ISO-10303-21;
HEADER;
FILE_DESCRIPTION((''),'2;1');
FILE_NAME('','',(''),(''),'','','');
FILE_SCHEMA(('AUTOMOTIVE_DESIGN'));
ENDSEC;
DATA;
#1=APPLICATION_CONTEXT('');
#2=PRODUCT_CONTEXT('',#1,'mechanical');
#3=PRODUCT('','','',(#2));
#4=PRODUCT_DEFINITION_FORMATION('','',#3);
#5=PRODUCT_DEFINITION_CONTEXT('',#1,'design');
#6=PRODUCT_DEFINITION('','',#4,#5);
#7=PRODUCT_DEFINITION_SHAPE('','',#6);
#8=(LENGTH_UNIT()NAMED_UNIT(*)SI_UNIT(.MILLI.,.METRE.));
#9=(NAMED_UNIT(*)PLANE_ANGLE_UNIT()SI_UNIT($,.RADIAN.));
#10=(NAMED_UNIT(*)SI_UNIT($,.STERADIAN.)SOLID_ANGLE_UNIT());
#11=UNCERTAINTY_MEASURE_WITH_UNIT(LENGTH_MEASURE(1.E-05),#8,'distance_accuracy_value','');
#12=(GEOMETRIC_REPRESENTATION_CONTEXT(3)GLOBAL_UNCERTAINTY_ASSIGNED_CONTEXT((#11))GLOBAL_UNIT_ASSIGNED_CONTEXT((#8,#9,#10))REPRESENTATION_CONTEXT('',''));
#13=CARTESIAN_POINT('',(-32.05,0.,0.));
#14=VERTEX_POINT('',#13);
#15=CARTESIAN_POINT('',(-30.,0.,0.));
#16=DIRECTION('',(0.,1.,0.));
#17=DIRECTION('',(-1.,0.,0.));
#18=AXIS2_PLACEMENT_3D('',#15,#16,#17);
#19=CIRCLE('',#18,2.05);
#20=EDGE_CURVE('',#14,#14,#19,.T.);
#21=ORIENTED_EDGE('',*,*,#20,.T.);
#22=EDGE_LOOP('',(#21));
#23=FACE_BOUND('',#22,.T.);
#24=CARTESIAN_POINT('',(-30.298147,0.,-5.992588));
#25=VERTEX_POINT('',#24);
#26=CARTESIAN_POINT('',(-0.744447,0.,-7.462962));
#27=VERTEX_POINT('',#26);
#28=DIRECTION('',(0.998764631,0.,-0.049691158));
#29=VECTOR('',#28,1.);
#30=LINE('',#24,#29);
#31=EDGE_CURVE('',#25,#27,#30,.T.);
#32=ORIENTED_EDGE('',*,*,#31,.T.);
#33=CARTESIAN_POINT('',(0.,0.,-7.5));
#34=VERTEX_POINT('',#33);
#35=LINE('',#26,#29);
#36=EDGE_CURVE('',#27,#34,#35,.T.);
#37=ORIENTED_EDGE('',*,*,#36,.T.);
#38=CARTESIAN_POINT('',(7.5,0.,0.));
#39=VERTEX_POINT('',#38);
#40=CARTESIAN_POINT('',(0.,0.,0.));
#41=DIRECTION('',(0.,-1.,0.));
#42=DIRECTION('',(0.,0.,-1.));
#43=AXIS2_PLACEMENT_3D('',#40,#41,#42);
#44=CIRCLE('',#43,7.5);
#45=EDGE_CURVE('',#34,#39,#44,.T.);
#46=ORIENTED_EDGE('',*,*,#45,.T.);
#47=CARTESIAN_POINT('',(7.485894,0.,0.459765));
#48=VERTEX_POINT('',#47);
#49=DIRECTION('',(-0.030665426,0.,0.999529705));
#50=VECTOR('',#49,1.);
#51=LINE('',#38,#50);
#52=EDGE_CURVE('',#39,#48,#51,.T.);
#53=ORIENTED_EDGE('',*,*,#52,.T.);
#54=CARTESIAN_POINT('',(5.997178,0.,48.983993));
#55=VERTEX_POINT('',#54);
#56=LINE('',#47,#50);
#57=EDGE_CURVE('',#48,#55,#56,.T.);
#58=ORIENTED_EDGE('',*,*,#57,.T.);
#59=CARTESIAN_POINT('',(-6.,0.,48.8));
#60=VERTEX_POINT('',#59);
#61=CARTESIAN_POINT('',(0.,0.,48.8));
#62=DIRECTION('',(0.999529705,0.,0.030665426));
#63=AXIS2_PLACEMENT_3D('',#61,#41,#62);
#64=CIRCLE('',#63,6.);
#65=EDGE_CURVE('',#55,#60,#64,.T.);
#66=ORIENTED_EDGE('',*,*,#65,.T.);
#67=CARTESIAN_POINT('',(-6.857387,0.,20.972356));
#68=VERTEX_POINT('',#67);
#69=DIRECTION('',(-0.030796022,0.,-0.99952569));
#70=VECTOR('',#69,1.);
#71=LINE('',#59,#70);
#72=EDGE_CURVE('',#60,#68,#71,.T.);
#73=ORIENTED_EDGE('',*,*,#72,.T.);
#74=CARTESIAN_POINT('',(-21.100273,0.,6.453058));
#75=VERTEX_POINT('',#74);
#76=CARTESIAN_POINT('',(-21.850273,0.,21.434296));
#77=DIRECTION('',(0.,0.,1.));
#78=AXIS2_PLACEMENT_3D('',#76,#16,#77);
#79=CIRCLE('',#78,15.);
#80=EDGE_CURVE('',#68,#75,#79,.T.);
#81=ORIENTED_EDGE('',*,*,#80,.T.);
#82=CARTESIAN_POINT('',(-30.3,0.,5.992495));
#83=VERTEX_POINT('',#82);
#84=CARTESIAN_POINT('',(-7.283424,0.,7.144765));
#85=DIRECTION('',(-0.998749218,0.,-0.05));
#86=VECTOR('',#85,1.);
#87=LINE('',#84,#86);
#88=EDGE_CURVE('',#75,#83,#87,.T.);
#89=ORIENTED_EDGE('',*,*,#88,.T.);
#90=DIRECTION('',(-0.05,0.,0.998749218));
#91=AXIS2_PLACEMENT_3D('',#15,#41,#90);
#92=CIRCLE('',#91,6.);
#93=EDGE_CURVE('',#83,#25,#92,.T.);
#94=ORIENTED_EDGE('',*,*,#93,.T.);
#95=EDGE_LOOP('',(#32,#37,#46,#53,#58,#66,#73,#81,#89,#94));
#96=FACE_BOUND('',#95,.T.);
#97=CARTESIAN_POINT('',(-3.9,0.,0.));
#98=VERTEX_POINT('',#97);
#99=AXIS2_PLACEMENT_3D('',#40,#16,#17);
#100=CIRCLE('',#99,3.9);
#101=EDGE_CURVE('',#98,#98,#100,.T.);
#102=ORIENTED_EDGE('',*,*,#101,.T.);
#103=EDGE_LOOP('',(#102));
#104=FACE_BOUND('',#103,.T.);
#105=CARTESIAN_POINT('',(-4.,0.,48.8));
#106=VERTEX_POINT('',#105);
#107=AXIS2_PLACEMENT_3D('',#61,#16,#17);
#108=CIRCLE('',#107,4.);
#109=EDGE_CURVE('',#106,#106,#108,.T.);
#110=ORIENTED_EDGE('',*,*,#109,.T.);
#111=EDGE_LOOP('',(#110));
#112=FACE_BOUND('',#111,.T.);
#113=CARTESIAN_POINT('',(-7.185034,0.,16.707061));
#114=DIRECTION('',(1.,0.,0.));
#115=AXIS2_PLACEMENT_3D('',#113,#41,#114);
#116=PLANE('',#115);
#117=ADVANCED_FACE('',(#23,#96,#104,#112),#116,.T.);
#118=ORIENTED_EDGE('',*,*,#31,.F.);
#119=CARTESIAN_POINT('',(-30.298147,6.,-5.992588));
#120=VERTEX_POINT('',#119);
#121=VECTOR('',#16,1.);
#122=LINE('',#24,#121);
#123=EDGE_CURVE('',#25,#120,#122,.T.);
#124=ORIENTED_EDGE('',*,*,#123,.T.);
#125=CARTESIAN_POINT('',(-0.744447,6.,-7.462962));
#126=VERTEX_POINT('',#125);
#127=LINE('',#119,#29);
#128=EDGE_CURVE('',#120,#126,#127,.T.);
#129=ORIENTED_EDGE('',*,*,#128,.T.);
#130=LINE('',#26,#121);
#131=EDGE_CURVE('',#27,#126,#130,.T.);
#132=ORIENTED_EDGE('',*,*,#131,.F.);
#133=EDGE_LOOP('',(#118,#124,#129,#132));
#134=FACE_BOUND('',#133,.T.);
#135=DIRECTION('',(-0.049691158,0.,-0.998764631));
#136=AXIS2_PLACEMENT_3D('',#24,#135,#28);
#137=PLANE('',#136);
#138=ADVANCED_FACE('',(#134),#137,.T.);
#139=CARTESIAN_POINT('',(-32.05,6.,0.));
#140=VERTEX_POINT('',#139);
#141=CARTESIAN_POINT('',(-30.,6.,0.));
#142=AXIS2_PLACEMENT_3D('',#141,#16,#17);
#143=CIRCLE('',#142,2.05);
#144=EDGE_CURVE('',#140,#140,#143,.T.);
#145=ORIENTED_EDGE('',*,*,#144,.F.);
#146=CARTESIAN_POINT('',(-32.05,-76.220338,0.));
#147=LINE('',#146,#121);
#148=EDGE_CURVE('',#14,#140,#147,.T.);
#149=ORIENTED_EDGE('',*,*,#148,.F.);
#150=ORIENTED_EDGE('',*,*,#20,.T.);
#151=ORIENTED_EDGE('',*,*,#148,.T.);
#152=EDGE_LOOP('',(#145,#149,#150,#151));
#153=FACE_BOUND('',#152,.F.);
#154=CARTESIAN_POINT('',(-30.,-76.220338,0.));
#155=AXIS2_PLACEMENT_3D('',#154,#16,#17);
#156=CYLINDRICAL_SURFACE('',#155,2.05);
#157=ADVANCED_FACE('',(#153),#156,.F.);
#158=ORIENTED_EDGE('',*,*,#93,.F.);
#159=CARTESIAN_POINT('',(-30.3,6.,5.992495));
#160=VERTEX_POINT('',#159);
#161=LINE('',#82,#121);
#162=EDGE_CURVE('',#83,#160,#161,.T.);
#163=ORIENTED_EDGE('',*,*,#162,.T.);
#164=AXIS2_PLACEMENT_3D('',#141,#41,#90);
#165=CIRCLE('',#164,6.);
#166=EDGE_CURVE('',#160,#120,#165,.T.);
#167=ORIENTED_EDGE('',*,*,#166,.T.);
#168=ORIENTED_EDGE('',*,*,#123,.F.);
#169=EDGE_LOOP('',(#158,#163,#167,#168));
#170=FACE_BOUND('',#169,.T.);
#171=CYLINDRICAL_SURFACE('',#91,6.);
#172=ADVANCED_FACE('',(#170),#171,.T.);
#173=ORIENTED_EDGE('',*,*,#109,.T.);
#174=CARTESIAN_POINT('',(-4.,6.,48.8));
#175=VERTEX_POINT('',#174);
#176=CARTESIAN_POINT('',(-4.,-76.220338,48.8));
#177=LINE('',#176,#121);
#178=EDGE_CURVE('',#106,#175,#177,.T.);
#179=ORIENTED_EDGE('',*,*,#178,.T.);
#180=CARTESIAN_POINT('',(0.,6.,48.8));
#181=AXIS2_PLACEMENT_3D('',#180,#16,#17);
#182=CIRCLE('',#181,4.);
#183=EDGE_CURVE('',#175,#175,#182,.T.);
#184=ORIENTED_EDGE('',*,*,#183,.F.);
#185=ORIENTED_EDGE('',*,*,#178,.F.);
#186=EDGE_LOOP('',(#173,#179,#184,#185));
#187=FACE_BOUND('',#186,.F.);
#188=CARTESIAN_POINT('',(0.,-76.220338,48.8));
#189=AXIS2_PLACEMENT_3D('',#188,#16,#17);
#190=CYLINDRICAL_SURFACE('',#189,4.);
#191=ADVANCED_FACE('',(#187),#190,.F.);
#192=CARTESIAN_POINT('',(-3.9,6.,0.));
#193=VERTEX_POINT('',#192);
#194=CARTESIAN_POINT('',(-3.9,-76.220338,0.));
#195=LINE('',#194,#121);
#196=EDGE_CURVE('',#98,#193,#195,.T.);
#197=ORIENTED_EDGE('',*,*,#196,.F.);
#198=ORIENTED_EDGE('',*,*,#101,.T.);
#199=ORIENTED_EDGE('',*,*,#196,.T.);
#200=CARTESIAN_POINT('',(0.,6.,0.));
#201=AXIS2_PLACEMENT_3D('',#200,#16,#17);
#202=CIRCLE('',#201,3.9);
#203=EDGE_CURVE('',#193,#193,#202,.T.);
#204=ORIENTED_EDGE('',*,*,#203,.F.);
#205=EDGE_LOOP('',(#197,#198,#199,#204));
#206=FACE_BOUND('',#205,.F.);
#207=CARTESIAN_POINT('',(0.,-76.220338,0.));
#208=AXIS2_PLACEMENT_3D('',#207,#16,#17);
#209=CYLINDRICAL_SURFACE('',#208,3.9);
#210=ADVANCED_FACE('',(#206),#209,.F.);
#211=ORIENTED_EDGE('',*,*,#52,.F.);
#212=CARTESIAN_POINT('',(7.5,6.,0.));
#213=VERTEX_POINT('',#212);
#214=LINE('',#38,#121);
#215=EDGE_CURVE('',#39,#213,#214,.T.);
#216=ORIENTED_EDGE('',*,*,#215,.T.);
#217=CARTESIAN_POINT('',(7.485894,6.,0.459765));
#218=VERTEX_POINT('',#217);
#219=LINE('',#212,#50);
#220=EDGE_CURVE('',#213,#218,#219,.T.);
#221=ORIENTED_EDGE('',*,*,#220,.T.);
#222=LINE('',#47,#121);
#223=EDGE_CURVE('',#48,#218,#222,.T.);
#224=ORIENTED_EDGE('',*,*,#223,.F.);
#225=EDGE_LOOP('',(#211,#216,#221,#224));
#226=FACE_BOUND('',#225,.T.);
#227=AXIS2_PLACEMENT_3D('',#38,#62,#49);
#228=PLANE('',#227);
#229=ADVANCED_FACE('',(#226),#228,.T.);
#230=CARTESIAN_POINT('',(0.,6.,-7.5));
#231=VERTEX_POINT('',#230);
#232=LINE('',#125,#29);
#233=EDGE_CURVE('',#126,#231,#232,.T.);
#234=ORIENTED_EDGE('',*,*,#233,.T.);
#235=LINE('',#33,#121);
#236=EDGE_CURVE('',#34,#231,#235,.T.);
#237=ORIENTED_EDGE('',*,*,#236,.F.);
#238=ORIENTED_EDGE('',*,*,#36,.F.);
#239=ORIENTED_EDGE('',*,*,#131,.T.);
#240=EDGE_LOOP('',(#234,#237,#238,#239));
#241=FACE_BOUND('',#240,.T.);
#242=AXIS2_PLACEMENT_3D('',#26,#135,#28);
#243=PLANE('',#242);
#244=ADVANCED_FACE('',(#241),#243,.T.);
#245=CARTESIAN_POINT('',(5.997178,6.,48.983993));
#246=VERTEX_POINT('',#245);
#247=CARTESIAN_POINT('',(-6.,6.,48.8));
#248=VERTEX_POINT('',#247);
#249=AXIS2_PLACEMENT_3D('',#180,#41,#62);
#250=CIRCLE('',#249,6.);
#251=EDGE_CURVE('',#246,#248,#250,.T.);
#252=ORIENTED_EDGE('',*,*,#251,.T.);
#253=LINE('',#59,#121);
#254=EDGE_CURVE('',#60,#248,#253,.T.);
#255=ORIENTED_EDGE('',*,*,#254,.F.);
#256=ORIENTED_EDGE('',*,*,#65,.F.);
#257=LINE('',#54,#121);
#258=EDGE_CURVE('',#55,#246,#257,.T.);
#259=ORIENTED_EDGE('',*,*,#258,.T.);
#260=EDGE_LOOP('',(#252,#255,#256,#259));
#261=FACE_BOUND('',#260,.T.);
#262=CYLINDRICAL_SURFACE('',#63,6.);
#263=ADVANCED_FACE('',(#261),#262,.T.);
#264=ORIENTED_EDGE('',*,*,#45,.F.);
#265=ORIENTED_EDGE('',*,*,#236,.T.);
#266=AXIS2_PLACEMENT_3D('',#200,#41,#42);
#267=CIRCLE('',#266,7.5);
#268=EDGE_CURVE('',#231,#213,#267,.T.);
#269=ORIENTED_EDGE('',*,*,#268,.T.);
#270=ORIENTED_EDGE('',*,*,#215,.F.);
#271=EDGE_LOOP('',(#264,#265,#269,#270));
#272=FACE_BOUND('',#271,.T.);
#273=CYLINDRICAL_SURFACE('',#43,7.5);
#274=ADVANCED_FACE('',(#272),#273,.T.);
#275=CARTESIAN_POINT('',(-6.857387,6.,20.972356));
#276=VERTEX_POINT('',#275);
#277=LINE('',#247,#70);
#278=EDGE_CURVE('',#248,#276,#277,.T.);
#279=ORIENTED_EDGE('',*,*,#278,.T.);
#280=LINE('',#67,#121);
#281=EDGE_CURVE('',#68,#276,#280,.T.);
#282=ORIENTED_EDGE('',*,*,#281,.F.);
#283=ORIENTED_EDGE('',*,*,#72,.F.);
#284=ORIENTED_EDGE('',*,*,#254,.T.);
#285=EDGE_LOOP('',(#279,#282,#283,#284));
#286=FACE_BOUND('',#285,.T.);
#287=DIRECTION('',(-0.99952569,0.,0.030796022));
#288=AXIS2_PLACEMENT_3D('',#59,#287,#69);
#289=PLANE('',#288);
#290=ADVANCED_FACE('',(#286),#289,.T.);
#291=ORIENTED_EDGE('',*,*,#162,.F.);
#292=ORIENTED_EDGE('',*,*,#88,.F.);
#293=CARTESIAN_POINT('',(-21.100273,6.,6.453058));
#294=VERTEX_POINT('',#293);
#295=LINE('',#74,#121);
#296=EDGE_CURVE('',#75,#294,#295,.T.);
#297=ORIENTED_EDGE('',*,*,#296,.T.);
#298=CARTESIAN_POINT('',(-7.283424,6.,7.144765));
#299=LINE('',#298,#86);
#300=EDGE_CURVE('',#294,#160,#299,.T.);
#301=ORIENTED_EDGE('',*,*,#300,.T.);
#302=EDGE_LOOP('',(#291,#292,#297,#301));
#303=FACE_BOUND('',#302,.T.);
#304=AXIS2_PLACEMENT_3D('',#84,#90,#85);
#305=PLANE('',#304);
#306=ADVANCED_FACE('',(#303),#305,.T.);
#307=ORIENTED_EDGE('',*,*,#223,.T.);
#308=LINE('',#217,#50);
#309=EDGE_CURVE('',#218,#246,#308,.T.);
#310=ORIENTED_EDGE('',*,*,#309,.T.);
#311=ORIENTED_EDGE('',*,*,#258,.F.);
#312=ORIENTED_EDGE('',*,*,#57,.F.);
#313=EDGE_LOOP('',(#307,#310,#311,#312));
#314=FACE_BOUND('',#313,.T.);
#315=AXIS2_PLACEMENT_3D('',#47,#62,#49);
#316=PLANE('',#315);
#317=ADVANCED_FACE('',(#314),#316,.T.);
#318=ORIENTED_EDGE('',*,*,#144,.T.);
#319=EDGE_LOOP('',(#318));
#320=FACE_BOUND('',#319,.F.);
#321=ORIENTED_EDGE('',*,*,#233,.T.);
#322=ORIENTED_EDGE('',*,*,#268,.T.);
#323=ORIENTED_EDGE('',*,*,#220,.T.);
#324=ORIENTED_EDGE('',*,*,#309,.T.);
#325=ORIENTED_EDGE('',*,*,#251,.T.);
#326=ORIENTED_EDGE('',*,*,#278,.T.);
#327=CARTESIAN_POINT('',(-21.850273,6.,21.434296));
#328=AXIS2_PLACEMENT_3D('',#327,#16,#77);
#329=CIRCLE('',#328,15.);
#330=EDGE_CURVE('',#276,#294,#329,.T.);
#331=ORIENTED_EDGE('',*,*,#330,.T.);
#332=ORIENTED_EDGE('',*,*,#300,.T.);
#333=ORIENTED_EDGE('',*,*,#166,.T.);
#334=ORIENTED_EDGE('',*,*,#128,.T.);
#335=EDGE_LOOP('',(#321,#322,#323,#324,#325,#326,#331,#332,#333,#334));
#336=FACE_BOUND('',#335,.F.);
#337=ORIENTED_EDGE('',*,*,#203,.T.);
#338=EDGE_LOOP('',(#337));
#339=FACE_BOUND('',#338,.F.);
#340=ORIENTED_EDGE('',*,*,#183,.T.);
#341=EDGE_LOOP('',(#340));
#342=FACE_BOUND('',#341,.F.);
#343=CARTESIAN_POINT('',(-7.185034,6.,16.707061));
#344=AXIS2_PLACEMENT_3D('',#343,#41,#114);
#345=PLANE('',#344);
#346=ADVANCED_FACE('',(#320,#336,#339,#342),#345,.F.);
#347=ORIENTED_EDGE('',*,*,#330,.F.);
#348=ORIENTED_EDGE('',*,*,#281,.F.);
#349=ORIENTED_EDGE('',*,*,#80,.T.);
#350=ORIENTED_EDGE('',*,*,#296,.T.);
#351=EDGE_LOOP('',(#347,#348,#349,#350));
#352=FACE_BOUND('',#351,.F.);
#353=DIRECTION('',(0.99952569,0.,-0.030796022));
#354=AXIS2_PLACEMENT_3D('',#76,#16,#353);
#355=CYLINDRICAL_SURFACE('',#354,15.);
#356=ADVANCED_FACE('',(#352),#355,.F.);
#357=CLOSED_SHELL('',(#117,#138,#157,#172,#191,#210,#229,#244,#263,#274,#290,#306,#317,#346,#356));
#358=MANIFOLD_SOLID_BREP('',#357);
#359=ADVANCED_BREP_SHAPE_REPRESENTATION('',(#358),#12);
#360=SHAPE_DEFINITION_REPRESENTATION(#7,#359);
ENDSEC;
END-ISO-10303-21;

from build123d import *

# Parameters (mm, degrees)
F1_DEPTH = 6
F3_D     = 4.1
F4_D     = 8
F5_D     = 7.8
F6_R     = 15


with BuildPart() as f1:
    # F0 (on Front) → F1 (new body)
    with BuildSketch(Plane.XZ):
        with BuildLine():
            Line((7.4858944747, 0.4597650633), (5.9971782314, 48.9839925561))
            ThreePointArc((5.9971782314, 48.9839925561), (-0.0920070963, 54.7992945164), (-6, 48.8))
            Line((-6, 48.8), (-7.2834242523, 7.1447653329))
            Line((-7.2834242523, 7.1447653329), (-30.3, 5.9924953066))
            ThreePointArc((-30.3, 5.9924953066), (-35.9999999283, -0.0009276797), (-30.298146947, -5.9925877881))
            Line((-30.298146947, -5.9925877881), (-0.7444465641, -7.4629618325))
            Line((-0.7444465641, -7.4629618325), (0, -7.5))
            ThreePointArc((0, -7.5), (5.3033008589, -5.3033008589), (7.5, 0))
            Line((7.5, 0), (7.4858944747, 0.4597650633))
        make_face()
    extrude(amount=-F1_DEPTH)

    # F3 (through all)
    with Locations(Plane.XZ):
        with Locations((-30, 0)):
            Hole(F3_D / 2)

    # F4 (through all)
    with Locations(Plane.XZ):
        with Locations((0, 48.8)):
            Hole(F4_D / 2)

    # F5 (through all)
    with Locations(Plane.XZ):
        with Locations((0, 0)):
            Hole(F5_D / 2)

    # F6
    f6_edges = [f1.edges().sort_by_distance(p)[0] for p in [
        (-7.283424, 3, 7.144765),
    ]]
    fillet(f6_edges, radius=F6_R)


solid = f1.part
